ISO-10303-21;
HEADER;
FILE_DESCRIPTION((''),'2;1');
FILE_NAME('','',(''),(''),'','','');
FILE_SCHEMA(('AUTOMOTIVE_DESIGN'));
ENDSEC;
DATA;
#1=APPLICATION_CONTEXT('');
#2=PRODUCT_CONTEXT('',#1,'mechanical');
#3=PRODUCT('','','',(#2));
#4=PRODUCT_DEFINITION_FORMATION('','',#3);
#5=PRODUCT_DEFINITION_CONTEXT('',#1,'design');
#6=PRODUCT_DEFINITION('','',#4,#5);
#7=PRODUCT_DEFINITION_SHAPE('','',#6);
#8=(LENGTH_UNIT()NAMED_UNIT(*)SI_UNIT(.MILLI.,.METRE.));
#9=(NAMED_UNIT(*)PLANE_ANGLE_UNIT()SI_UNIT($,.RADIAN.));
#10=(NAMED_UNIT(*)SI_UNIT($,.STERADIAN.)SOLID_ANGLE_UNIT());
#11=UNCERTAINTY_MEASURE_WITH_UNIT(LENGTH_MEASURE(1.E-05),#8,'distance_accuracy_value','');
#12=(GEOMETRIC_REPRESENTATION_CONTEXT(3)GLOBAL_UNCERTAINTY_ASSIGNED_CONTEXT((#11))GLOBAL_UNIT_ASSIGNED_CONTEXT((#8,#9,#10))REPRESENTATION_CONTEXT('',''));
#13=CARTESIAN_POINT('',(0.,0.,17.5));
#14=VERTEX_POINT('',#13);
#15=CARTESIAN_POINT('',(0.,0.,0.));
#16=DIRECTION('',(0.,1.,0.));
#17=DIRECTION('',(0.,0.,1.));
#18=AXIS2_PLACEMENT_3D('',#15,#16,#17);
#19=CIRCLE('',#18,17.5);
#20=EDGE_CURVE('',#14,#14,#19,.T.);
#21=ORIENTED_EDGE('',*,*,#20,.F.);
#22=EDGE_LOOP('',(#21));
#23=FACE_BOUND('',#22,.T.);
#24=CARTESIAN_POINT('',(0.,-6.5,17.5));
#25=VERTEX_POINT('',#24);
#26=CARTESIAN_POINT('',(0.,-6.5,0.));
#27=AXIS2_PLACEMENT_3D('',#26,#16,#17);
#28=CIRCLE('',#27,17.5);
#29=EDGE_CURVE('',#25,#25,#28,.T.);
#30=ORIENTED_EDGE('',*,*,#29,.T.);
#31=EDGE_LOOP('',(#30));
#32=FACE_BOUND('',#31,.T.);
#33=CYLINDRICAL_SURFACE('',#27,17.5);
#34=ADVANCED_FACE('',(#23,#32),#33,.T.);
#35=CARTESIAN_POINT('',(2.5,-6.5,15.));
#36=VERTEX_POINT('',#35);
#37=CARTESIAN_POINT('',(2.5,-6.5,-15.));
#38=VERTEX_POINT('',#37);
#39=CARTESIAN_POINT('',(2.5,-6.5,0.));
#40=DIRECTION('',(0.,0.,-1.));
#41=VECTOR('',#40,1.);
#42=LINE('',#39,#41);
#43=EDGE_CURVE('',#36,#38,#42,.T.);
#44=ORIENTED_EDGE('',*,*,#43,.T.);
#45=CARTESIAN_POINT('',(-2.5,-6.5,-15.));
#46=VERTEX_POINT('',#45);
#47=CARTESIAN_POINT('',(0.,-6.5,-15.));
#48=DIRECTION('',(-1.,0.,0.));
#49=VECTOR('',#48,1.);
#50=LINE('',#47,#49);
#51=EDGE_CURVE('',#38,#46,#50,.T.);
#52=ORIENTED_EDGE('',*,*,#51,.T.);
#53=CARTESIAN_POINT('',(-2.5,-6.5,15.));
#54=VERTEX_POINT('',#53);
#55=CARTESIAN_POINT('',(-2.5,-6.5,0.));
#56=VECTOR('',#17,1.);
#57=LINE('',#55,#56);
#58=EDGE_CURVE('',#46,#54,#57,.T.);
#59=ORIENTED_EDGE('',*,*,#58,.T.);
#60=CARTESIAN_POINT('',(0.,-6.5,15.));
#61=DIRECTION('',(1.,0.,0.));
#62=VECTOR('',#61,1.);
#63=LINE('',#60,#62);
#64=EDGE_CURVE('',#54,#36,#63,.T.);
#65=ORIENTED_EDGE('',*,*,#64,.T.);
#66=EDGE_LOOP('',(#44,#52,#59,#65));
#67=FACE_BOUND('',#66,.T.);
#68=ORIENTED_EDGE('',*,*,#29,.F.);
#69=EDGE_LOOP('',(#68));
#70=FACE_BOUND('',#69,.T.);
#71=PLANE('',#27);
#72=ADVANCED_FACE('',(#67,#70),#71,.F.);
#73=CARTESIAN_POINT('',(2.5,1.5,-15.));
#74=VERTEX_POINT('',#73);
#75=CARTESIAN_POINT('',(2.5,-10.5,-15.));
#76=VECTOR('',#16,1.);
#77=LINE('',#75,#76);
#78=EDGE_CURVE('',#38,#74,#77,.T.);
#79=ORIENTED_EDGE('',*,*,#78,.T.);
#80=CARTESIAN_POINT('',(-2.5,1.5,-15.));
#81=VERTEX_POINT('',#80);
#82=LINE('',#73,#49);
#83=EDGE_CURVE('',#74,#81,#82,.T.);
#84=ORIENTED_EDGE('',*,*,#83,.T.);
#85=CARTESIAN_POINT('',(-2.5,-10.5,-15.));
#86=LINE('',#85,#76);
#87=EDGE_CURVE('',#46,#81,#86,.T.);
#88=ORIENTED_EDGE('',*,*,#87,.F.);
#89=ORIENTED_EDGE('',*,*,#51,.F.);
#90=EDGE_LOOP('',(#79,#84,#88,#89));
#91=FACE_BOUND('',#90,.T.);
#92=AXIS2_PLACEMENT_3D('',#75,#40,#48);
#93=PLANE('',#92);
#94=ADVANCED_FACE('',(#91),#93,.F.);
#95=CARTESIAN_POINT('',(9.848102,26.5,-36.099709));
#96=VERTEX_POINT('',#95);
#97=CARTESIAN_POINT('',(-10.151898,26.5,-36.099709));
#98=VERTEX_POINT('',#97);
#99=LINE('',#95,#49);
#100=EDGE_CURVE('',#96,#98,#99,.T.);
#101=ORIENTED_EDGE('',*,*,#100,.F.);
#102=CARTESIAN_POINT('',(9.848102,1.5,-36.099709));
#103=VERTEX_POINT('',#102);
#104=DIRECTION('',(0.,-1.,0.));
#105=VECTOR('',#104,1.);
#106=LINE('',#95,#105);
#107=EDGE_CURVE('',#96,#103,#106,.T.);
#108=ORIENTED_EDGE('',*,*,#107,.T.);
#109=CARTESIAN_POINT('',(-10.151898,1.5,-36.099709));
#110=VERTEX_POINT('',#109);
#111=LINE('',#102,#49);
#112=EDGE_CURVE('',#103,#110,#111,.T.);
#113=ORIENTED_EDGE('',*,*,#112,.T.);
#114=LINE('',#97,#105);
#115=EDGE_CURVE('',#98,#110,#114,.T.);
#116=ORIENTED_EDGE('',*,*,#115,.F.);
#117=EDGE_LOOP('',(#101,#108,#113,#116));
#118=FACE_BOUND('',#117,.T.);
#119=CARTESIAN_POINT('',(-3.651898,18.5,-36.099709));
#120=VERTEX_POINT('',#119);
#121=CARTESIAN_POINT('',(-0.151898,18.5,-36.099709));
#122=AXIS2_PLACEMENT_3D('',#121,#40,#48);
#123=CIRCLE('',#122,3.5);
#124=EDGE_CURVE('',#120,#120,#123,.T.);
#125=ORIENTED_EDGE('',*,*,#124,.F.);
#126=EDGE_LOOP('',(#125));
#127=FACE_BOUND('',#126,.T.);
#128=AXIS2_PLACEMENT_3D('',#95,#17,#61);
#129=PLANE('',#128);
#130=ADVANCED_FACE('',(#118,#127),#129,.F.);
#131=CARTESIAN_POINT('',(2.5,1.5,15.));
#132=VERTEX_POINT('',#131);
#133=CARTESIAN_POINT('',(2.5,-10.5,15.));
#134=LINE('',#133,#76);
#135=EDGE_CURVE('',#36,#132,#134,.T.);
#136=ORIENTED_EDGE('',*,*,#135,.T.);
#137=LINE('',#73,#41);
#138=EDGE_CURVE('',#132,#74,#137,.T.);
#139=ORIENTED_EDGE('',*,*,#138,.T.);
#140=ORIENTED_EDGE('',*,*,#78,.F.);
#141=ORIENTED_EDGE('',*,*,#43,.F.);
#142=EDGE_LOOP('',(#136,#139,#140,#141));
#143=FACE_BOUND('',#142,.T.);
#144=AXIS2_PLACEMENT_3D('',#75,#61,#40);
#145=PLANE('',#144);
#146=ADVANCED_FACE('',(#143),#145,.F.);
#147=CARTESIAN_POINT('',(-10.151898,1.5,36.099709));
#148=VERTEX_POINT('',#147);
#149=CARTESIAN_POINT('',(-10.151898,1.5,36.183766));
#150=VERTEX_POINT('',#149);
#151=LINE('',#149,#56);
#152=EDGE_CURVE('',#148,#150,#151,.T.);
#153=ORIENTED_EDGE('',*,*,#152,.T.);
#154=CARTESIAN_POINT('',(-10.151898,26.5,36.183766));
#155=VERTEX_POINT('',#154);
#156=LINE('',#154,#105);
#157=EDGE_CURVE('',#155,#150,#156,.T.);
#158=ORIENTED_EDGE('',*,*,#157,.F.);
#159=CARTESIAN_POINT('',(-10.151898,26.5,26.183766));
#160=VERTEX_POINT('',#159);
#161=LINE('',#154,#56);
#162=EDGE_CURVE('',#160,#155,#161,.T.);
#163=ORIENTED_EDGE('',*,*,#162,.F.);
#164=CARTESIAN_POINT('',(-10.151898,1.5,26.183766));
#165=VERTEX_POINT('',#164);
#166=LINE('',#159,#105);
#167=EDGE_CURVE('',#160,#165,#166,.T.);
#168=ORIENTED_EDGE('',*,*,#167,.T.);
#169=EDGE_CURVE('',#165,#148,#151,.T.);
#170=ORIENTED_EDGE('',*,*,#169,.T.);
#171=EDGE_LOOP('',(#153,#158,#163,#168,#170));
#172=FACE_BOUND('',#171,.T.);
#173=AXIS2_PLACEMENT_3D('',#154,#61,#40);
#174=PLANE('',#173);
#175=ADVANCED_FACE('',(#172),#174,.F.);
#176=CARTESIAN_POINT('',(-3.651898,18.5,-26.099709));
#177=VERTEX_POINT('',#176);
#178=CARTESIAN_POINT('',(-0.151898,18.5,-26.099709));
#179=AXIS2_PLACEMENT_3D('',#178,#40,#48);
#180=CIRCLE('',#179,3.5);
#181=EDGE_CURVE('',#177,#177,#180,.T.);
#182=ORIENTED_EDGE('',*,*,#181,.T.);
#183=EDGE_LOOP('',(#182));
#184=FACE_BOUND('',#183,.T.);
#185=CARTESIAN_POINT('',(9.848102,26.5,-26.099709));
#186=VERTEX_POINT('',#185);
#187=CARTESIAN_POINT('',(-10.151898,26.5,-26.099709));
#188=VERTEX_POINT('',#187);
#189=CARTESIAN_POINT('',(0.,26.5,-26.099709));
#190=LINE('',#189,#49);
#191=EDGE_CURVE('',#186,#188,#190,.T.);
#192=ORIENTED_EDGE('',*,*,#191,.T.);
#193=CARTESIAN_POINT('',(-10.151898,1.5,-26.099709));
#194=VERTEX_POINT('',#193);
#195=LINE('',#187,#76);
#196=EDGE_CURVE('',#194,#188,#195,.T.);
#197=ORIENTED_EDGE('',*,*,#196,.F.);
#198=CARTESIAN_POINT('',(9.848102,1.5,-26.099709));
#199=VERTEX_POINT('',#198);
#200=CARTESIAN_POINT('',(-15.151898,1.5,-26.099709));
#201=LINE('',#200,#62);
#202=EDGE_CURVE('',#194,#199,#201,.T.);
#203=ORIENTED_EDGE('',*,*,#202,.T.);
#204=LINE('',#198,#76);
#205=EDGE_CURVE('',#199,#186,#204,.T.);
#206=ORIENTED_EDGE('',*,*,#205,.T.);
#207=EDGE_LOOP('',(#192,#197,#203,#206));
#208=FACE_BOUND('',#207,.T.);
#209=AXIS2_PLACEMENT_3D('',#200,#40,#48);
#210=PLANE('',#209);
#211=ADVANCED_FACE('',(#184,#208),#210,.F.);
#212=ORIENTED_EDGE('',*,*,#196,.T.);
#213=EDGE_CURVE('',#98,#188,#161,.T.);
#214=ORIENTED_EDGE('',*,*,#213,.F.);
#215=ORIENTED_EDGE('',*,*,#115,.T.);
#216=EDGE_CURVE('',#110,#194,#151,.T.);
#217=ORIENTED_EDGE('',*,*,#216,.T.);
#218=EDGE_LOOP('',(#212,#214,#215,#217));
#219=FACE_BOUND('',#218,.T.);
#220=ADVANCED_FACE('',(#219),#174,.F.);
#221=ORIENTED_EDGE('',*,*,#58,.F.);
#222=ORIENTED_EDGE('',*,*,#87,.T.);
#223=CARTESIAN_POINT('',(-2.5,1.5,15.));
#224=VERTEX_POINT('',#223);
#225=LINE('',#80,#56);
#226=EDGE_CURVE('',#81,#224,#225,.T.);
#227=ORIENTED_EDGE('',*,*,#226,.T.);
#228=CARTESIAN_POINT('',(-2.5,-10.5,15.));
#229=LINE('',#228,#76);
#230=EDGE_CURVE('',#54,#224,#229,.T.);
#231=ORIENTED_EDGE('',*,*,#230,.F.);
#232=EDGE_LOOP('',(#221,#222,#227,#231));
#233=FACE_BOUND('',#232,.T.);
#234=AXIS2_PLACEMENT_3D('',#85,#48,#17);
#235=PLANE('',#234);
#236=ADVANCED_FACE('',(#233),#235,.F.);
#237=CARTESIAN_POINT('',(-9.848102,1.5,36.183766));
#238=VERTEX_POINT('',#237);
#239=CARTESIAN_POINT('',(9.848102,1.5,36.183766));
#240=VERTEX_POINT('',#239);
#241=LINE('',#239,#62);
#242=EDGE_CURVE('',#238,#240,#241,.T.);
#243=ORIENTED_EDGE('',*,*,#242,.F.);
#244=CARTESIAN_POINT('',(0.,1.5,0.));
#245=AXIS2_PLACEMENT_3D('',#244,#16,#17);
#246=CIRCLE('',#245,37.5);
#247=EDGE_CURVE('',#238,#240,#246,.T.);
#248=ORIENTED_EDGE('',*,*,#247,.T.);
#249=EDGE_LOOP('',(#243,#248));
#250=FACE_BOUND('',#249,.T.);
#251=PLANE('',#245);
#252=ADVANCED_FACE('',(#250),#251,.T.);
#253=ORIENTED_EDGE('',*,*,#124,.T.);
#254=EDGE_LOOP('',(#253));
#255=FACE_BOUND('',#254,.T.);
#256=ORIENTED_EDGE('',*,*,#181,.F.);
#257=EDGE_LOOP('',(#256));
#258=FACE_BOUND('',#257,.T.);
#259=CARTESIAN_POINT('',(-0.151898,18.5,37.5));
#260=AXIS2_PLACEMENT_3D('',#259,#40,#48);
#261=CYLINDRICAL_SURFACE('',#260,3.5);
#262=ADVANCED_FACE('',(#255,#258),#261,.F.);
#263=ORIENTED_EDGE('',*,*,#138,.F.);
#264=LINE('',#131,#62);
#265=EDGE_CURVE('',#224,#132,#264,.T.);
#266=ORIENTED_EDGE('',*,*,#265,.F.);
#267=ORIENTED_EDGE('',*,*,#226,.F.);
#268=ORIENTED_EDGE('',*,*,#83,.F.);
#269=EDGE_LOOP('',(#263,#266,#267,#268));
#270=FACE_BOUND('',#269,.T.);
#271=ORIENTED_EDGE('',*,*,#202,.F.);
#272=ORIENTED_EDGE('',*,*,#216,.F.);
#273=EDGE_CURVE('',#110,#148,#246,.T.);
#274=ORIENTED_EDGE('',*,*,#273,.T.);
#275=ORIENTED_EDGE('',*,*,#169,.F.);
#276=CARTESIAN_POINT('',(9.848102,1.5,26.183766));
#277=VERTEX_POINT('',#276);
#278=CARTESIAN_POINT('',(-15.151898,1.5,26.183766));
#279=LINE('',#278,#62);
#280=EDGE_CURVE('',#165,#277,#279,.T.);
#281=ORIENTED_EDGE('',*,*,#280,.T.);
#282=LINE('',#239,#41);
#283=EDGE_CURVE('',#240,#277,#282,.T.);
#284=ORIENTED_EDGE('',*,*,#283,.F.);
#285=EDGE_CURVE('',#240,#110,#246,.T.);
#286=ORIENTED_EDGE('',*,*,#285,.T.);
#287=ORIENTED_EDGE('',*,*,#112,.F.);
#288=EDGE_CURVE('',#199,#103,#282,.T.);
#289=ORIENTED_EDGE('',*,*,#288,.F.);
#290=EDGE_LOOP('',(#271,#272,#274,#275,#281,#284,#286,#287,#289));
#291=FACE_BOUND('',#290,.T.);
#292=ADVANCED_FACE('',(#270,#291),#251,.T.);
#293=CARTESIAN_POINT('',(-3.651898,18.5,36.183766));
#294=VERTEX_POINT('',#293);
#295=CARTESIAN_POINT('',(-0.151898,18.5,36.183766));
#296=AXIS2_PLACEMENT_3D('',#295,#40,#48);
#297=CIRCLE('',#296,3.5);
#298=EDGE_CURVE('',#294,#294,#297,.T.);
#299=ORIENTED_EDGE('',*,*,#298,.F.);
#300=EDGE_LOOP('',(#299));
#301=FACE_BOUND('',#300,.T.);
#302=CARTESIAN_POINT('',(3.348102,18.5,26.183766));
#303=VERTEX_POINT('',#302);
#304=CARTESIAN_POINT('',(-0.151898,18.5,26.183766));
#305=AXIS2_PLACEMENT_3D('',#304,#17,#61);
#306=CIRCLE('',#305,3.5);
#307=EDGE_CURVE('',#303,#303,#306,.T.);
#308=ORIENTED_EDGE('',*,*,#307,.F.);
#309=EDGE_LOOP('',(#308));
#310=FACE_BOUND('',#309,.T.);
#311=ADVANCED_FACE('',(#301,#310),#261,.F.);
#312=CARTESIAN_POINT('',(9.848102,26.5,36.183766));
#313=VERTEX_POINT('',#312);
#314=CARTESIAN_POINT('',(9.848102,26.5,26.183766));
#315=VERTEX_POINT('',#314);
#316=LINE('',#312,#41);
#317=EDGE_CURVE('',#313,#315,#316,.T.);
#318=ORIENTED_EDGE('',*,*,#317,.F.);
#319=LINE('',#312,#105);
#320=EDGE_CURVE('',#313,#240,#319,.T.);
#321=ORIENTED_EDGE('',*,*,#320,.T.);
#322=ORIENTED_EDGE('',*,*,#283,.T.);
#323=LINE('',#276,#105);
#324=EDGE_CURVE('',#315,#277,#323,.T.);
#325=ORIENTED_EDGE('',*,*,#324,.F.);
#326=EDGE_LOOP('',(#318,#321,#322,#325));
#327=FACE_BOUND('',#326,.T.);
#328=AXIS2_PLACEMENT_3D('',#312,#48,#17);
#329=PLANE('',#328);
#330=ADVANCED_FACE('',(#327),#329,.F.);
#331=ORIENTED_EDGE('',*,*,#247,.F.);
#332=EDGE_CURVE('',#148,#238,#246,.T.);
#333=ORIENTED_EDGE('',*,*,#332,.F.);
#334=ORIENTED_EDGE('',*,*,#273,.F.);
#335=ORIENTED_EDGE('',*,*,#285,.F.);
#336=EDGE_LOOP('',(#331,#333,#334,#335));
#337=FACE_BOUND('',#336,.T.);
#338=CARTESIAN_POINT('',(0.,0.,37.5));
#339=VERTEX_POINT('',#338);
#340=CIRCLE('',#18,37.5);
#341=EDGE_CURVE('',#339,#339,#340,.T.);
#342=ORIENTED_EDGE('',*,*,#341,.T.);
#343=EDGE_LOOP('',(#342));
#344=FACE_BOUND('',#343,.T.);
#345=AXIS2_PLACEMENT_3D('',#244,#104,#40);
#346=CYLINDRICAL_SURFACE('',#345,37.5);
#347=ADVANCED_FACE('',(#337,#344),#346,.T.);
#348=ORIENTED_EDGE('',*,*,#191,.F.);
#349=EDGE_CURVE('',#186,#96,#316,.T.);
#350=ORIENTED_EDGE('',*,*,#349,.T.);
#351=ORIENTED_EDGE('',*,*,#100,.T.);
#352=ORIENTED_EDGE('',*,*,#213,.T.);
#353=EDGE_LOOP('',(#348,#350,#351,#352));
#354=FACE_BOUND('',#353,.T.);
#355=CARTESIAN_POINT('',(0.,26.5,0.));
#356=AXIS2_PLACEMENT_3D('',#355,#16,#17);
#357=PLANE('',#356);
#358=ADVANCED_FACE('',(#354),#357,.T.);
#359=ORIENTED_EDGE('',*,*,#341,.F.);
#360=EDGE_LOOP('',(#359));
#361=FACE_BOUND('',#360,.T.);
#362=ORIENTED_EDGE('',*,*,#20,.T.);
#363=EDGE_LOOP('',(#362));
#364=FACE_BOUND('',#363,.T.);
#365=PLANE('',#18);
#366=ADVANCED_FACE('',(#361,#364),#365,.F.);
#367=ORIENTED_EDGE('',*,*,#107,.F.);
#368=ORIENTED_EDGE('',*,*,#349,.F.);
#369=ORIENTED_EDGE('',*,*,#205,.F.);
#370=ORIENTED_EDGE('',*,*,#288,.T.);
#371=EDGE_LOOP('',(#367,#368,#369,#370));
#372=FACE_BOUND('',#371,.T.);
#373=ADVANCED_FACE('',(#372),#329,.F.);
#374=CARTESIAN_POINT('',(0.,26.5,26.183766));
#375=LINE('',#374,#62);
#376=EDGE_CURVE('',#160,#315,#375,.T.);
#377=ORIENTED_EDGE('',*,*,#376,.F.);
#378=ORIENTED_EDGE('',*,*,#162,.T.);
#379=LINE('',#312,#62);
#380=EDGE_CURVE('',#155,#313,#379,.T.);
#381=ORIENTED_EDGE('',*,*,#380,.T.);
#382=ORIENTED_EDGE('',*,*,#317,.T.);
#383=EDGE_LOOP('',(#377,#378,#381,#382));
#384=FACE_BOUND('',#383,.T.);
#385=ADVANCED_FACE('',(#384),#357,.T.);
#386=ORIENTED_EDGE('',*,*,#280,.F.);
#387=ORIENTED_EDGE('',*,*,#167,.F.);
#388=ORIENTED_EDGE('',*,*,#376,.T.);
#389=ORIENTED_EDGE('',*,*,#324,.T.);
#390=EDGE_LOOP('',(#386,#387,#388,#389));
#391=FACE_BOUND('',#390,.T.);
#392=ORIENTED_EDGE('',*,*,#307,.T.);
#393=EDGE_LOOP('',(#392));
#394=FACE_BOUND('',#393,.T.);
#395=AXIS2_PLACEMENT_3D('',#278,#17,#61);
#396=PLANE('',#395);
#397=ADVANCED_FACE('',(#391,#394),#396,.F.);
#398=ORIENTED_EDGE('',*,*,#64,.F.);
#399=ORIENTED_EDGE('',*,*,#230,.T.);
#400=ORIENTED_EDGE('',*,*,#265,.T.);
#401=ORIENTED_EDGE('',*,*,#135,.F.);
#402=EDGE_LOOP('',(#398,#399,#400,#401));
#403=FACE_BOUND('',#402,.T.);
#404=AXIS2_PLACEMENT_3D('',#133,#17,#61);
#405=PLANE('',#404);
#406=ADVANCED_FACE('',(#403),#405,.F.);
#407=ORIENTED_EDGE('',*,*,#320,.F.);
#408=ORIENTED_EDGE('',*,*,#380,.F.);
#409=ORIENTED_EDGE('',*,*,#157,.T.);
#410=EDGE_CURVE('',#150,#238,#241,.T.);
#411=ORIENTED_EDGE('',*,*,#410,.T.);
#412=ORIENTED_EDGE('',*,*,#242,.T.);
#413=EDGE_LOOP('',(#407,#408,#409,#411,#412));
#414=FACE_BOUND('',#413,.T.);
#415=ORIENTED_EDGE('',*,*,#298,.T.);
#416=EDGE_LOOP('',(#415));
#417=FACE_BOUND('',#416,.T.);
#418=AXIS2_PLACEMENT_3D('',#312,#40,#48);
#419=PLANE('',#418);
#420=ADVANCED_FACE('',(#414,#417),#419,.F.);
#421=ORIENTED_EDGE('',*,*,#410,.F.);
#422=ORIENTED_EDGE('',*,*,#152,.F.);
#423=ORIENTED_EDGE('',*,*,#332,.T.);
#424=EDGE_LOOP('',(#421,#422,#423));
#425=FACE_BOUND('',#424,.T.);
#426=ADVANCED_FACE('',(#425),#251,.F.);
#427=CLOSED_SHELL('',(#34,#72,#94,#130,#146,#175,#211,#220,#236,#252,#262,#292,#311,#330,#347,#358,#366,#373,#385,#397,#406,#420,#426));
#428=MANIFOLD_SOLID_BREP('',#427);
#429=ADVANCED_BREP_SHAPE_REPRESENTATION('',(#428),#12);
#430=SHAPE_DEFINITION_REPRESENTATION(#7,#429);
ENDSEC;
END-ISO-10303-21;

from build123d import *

# Parameters (mm, degrees)
ESQUISSE1_R             = 37.5
BOSS_EXTRU_1_DEPTH      = 1.5
ESQUISSE2_R             = 17.5
BOSS_EXTRU_2_DEPTH      = 8
ESQUISSE4_W             = 20
ESQUISSE4_H             = 72.283474197
BOSS_EXTRU_5_DEPTH      = 25
ESQUISSE11_W            = 52.283474197
ESQUISSE11_H            = 25
ENL_V_MAT_EXTRU_5_DEPTH = 25
ESQUISSE12_R            = 3.5
ENL_V_MAT_EXTRU_8_DEPTH = 87.749161989
ESQUISSE13_W            = 5
ESQUISSE13_H            = 30
ENL_V_MAT_EXTRU_9_DEPTH = 12


with BuildPart() as part:
    # Esquisse1 → Boss.-Extru.1 (new body)
    with BuildSketch(Plane(origin=(0, 0, 0), x_dir=(1, 0, 0), z_dir=(0, 1, 0))):
        with Locations(Location((0, 0, 0), (0, 0, 270))):
            Circle(ESQUISSE1_R)
    extrude(amount=BOSS_EXTRU_1_DEPTH)

    # Esquisse2 → Boss.-Extru.2 (add)
    with BuildSketch(Plane(origin=(0, 1.5, 0), x_dir=(1, 0, 0), z_dir=(0, 1, 0))):
        with Locations(Location((0, 0, 0), (0, 0, 270))):
            Circle(ESQUISSE2_R)
    extrude(amount=-BOSS_EXTRU_2_DEPTH)

    # Esquisse4 → Boss.-Extru.5 (add)
    with BuildSketch(Plane(origin=(0, 1.5, 0), x_dir=(1, 0, 0), z_dir=(0, 1, 0))):
        with Locations((-0.151898301, -0.042028501)):
            Rectangle(ESQUISSE4_W, ESQUISSE4_H)
    extrude(amount=BOSS_EXTRU_5_DEPTH)

    # Esquisse11 → Enlèv. mat.-Extru.5 (cut)
    with BuildSketch(Plane(origin=(9.848101699, 0, 0), x_dir=(0, 0, -1), z_dir=(1, 0, 0))):
        with Locations((-0.0420285, 14)):
            Rectangle(ESQUISSE11_W, ESQUISSE11_H)
    extrude(amount=-ENL_V_MAT_EXTRU_5_DEPTH, mode=Mode.SUBTRACT)

    # Esquisse12 → Enlèv. mat.-Extru.8 (cut, through all)
    with BuildSketch(Plane(origin=(0, 0, -36.099708598), x_dir=(-1, 0, 0), z_dir=(0, 0, -1))):
        with Locations((0.151898301, 18.5)):
            Circle(ESQUISSE12_R)
    extrude(amount=-ENL_V_MAT_EXTRU_8_DEPTH, mode=Mode.SUBTRACT)

    # Esquisse13 → Enlèv. mat.-Extru.9 (cut)
    with BuildSketch(Plane(origin=(0, 1.5, 0), x_dir=(1, 0, 0), z_dir=(0, 1, 0))):
        Rectangle(ESQUISSE13_W, ESQUISSE13_H)
    extrude(amount=-ENL_V_MAT_EXTRU_9_DEPTH, mode=Mode.SUBTRACT)


solid = part.part
